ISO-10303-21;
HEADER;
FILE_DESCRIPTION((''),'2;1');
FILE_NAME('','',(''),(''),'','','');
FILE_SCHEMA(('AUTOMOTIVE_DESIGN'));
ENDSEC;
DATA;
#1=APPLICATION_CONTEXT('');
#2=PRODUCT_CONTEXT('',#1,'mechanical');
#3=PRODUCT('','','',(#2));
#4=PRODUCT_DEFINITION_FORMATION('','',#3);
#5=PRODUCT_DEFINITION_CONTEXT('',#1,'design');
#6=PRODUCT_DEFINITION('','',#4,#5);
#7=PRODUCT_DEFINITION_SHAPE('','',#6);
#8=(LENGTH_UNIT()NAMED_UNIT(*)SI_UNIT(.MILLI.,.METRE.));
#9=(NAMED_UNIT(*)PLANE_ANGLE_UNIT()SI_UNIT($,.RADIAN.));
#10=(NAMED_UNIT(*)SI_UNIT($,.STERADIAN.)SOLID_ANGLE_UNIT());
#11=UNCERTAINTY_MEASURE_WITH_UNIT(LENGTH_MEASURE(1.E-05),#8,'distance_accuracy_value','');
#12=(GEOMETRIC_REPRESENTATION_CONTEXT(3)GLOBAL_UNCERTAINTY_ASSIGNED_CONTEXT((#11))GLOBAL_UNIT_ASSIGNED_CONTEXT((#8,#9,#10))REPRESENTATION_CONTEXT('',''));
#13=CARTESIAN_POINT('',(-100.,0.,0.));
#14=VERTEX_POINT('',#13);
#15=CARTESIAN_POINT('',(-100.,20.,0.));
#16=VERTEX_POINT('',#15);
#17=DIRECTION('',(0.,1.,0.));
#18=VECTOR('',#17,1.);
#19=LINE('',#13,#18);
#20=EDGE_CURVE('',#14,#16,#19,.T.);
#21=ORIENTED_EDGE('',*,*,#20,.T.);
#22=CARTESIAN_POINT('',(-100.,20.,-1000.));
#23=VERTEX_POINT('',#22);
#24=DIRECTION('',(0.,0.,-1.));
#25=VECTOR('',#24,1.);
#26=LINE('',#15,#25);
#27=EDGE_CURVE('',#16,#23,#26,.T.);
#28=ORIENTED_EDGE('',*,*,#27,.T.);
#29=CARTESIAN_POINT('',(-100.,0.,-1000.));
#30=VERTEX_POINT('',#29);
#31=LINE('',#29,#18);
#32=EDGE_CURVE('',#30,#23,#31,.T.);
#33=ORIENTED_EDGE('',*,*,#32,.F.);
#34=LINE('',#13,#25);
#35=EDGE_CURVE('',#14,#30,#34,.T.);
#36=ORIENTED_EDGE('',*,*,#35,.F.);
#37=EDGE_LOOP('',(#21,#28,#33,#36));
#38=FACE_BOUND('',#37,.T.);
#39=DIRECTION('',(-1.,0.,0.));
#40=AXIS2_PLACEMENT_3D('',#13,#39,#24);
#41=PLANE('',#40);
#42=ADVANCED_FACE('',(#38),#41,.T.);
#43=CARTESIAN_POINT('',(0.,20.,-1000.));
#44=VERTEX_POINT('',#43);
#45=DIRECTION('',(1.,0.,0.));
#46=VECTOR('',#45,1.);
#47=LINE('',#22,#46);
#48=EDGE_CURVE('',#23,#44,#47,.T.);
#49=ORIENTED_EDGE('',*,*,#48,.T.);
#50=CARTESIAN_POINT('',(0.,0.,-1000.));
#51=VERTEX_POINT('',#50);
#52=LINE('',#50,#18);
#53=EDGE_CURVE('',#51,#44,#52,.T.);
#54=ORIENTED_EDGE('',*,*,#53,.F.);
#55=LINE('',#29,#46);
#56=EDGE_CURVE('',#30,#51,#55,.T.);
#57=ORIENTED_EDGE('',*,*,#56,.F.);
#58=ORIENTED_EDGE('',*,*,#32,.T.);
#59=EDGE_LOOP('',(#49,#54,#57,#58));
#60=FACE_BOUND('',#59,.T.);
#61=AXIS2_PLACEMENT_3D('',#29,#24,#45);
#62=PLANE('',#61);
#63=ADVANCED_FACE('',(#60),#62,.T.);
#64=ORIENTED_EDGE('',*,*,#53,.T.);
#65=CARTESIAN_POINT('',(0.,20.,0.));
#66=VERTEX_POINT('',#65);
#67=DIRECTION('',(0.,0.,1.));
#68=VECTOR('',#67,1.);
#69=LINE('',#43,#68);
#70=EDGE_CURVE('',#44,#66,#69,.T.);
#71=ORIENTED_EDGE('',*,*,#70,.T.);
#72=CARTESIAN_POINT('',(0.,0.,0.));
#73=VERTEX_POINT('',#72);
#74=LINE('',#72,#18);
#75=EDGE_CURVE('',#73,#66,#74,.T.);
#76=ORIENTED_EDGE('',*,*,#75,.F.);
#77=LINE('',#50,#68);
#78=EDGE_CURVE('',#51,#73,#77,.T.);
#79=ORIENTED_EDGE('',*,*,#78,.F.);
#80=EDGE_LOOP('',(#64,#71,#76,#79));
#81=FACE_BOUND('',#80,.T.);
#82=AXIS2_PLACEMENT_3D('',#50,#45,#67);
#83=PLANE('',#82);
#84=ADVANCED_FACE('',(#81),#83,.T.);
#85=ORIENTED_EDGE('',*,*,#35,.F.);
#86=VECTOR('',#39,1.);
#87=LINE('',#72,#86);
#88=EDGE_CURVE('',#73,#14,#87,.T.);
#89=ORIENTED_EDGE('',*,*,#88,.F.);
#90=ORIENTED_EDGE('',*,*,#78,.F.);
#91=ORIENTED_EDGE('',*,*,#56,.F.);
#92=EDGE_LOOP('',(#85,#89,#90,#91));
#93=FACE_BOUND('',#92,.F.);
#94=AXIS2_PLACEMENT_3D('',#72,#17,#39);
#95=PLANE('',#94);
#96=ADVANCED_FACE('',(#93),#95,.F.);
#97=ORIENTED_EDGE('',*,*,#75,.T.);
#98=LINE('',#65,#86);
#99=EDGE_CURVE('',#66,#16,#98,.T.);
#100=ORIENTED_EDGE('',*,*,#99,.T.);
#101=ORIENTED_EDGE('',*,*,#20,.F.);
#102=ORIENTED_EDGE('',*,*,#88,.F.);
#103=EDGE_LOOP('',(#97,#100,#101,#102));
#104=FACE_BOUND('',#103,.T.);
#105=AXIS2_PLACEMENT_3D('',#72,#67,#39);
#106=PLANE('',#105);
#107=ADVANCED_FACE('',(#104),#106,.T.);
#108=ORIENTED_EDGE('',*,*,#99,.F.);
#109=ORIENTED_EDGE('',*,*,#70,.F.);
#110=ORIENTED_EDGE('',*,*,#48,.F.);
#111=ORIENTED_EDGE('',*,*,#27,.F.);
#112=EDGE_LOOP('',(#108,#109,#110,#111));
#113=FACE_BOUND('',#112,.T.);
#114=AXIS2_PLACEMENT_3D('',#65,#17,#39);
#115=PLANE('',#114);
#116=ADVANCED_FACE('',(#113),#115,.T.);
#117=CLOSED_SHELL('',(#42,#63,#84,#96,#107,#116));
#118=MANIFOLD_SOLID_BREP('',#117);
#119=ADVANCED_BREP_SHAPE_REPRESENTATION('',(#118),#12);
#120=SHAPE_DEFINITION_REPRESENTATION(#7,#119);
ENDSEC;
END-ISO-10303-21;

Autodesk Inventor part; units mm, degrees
ref_plane "YZ Plane" through (0, 0, 0) normal (1, 0, 0) x (0, 1, 0)
ref_plane "XZ Plane" through (0, 0, 0) normal (0, 1, 0) x (-1, 0, 0)
ref_plane "XY Plane" through (0, 0, 0) normal (0, 0, 1) x (1, 0, 0)
sketch "Sketch1" plane through (0, 0, 0) normal (0, 1, 0) x (-1, 0, 0)
  line L0 (0, 0) -> (100, 0)
  line L1 (100, 0) -> (100, -1000)
  line L2 (100, -1000) -> (0, -1000)
  line L3 (0, -1000) -> (0, 0)
  dimension "d0" = 1000
  dimension "d1" = 100
extrude "Extrusion1" add sketch "Sketch1" along normal blind 20
properties part number "carrier plank long"
